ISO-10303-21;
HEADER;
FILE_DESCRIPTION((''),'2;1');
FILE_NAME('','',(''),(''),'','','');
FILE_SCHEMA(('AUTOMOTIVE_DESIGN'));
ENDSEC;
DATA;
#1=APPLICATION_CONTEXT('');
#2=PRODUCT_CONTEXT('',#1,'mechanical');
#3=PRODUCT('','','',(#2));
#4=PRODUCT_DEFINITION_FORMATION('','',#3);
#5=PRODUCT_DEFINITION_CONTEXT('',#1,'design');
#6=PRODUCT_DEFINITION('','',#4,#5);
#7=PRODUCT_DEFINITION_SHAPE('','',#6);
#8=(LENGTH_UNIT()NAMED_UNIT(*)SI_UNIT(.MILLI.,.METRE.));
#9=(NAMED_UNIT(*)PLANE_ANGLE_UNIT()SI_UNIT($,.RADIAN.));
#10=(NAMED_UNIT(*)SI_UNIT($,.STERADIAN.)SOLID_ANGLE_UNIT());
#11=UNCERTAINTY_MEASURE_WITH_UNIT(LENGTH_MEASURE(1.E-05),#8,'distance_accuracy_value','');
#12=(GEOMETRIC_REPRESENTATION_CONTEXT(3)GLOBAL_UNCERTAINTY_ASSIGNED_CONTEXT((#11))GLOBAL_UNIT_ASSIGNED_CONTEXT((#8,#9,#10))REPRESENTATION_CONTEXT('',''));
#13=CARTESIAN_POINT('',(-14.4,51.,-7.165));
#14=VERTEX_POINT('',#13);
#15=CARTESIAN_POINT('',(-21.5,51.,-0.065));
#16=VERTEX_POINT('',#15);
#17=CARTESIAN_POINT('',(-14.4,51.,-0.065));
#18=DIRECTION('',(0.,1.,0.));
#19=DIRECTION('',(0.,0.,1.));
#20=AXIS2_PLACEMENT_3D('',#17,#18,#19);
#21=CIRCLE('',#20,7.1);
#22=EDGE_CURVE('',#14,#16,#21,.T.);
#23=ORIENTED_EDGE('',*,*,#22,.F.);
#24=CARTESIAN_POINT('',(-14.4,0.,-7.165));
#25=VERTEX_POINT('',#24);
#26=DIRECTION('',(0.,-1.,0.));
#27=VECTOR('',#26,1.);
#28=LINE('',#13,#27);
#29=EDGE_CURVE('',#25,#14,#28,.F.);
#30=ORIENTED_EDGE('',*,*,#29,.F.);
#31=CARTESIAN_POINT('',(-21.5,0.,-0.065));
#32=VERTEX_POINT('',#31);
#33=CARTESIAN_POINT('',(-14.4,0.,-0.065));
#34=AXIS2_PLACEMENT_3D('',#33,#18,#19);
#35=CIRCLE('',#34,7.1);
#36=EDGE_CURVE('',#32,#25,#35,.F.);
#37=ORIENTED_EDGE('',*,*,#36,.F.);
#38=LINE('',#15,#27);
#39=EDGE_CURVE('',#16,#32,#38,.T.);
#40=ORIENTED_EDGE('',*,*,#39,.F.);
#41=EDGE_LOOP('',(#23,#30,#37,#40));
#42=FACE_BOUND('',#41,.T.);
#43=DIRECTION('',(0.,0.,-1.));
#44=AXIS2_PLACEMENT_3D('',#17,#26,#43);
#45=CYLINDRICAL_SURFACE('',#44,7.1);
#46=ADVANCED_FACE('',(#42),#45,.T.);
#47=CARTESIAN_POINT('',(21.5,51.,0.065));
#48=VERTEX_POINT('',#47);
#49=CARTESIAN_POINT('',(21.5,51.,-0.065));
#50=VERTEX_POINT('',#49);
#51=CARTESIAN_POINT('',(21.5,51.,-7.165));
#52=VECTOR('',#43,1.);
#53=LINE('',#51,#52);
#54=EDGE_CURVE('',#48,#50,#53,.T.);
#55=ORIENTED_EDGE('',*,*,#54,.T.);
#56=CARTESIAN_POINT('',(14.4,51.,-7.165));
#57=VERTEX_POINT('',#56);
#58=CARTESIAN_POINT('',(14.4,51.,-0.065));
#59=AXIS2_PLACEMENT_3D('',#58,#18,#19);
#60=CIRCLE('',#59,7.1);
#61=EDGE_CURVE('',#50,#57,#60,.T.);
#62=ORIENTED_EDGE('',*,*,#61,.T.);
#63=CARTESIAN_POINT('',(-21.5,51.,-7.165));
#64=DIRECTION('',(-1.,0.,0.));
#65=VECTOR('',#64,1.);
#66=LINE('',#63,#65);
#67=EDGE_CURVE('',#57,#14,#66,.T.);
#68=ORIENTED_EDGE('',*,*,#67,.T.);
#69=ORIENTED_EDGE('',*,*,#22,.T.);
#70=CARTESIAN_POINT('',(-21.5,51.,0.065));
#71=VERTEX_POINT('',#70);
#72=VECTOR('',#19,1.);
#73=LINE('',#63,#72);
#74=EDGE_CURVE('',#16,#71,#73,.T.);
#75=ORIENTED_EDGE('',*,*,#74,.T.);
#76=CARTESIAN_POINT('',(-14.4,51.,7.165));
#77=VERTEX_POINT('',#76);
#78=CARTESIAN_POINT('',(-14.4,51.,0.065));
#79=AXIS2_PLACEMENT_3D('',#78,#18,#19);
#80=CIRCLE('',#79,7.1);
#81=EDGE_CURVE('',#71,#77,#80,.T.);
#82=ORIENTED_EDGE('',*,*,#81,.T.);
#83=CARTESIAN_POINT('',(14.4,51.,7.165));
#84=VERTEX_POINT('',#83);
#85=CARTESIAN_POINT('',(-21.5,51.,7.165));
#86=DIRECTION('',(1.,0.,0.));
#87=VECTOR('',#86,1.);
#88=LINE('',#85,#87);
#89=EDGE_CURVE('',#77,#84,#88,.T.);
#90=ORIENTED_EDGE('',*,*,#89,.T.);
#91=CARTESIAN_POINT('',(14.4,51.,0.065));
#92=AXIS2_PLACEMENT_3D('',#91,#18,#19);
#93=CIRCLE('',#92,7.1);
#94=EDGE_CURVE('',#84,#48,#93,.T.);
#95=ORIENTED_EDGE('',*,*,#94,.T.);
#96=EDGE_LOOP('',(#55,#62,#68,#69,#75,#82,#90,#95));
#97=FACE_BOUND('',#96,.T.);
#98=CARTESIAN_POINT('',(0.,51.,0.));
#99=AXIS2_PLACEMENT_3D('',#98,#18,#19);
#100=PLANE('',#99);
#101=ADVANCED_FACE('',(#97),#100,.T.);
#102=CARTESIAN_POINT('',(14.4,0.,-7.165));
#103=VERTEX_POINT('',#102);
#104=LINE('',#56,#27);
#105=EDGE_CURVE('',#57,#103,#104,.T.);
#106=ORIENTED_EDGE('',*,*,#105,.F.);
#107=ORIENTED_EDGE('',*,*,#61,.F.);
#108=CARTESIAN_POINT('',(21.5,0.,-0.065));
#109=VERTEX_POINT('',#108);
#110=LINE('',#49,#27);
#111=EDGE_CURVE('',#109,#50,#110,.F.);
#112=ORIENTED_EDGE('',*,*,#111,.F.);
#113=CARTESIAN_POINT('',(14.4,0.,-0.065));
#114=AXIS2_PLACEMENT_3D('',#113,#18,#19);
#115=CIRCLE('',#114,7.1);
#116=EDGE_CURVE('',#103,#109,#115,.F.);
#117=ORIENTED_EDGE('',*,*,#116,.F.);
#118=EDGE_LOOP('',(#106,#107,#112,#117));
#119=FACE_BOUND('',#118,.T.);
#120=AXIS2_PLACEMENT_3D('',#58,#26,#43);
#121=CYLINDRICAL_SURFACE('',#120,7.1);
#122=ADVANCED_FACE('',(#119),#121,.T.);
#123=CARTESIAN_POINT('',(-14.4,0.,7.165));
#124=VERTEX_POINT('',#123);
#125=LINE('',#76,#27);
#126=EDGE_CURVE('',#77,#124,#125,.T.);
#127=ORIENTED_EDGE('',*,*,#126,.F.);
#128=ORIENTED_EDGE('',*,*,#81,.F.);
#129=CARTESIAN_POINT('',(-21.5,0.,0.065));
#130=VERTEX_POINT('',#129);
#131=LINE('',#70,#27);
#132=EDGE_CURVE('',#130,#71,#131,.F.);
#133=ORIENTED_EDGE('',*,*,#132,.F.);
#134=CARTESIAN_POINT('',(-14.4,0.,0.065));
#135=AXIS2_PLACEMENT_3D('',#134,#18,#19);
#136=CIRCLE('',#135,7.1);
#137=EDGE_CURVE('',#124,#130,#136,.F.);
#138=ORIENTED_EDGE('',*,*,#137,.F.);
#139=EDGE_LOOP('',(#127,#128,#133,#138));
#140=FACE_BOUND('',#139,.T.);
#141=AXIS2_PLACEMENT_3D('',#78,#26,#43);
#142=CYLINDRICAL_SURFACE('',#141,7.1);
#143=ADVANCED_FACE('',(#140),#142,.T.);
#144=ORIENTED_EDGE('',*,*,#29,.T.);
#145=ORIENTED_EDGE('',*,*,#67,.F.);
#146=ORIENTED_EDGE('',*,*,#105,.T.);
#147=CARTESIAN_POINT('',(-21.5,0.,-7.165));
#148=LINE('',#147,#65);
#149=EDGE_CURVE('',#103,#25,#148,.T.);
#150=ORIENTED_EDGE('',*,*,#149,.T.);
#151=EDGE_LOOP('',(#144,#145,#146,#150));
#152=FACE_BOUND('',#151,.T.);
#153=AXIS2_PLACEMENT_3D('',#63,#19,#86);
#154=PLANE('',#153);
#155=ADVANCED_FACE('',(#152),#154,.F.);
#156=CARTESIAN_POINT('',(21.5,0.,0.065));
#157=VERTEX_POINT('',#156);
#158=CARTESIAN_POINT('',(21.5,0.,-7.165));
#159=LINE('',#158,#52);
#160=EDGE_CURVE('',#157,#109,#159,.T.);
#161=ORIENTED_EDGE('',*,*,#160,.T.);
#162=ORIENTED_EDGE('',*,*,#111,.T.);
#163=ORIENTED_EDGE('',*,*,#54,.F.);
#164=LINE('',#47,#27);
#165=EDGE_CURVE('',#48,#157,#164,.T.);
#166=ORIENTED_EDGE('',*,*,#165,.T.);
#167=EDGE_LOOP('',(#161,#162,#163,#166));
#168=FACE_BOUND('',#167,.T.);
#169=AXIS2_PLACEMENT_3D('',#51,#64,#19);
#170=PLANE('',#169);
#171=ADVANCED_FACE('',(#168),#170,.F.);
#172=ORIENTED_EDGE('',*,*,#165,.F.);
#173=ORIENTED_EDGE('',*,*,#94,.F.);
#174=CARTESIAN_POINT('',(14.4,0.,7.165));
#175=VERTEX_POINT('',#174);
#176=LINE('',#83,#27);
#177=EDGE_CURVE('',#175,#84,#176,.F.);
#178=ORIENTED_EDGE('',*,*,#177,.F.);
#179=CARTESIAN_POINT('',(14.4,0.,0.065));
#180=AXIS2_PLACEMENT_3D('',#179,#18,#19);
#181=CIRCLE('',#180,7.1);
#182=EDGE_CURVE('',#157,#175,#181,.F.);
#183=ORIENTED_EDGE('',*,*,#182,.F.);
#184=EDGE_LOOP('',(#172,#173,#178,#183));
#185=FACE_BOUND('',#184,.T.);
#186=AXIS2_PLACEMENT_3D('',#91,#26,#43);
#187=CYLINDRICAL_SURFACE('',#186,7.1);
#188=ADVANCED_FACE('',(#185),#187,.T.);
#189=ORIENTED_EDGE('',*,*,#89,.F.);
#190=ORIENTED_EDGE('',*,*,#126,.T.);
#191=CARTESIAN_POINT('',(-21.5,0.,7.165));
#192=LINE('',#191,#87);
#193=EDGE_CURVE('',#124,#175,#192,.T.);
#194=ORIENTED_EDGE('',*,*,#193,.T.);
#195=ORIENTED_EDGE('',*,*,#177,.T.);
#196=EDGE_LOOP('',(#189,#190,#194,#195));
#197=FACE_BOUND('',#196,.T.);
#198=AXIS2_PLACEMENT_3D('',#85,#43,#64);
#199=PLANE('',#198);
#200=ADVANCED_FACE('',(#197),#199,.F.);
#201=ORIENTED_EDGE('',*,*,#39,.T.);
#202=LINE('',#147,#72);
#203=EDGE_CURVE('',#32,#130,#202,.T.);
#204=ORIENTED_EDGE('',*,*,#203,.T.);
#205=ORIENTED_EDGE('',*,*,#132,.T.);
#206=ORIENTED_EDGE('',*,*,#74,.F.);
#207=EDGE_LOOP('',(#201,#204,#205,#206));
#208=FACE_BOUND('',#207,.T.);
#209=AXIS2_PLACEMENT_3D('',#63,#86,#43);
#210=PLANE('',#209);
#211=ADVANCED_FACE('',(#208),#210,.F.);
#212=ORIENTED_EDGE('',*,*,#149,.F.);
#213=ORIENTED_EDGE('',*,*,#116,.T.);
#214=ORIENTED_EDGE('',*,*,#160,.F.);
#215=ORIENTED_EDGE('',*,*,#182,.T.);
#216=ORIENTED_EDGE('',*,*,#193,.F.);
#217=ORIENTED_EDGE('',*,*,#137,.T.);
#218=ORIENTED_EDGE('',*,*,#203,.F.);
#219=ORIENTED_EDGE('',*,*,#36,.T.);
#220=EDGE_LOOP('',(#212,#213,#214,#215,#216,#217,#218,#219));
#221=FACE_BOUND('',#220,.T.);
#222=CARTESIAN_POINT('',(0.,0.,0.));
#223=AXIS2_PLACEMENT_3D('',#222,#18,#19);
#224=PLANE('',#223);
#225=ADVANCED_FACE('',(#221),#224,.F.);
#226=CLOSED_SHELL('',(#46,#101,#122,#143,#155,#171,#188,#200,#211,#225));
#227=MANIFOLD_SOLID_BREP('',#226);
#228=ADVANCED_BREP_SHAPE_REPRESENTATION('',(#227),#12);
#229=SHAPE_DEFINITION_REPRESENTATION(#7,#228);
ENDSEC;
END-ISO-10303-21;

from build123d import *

# Parameters (mm, degrees)
SKETCH1_W           = 43
SKETCH1_H           = 14.33
BOSS_EXTRUDE1_DEPTH = 51
FILLET1_R           = 7.1


with BuildPart() as part:
    # Sketch1 → Boss-Extrude1 (new body)
    with BuildSketch(Plane(origin=(0, 0, 0), x_dir=(1, 0, 0), z_dir=(0, 1, 0))):
        Rectangle(SKETCH1_W, SKETCH1_H)
    extrude(amount=BOSS_EXTRUDE1_DEPTH)

    # Fillet1
    fillet1_edges = [part.edges().sort_by_distance(p)[0] for p in [
        (21.5, 25.5, 7.165),
        (-21.5, 25.5, 7.165),
        (-21.5, 25.5, -7.165),
        (21.5, 25.5, -7.165),
    ]]
    fillet(fillet1_edges, radius=FILLET1_R)


solid = part.part
